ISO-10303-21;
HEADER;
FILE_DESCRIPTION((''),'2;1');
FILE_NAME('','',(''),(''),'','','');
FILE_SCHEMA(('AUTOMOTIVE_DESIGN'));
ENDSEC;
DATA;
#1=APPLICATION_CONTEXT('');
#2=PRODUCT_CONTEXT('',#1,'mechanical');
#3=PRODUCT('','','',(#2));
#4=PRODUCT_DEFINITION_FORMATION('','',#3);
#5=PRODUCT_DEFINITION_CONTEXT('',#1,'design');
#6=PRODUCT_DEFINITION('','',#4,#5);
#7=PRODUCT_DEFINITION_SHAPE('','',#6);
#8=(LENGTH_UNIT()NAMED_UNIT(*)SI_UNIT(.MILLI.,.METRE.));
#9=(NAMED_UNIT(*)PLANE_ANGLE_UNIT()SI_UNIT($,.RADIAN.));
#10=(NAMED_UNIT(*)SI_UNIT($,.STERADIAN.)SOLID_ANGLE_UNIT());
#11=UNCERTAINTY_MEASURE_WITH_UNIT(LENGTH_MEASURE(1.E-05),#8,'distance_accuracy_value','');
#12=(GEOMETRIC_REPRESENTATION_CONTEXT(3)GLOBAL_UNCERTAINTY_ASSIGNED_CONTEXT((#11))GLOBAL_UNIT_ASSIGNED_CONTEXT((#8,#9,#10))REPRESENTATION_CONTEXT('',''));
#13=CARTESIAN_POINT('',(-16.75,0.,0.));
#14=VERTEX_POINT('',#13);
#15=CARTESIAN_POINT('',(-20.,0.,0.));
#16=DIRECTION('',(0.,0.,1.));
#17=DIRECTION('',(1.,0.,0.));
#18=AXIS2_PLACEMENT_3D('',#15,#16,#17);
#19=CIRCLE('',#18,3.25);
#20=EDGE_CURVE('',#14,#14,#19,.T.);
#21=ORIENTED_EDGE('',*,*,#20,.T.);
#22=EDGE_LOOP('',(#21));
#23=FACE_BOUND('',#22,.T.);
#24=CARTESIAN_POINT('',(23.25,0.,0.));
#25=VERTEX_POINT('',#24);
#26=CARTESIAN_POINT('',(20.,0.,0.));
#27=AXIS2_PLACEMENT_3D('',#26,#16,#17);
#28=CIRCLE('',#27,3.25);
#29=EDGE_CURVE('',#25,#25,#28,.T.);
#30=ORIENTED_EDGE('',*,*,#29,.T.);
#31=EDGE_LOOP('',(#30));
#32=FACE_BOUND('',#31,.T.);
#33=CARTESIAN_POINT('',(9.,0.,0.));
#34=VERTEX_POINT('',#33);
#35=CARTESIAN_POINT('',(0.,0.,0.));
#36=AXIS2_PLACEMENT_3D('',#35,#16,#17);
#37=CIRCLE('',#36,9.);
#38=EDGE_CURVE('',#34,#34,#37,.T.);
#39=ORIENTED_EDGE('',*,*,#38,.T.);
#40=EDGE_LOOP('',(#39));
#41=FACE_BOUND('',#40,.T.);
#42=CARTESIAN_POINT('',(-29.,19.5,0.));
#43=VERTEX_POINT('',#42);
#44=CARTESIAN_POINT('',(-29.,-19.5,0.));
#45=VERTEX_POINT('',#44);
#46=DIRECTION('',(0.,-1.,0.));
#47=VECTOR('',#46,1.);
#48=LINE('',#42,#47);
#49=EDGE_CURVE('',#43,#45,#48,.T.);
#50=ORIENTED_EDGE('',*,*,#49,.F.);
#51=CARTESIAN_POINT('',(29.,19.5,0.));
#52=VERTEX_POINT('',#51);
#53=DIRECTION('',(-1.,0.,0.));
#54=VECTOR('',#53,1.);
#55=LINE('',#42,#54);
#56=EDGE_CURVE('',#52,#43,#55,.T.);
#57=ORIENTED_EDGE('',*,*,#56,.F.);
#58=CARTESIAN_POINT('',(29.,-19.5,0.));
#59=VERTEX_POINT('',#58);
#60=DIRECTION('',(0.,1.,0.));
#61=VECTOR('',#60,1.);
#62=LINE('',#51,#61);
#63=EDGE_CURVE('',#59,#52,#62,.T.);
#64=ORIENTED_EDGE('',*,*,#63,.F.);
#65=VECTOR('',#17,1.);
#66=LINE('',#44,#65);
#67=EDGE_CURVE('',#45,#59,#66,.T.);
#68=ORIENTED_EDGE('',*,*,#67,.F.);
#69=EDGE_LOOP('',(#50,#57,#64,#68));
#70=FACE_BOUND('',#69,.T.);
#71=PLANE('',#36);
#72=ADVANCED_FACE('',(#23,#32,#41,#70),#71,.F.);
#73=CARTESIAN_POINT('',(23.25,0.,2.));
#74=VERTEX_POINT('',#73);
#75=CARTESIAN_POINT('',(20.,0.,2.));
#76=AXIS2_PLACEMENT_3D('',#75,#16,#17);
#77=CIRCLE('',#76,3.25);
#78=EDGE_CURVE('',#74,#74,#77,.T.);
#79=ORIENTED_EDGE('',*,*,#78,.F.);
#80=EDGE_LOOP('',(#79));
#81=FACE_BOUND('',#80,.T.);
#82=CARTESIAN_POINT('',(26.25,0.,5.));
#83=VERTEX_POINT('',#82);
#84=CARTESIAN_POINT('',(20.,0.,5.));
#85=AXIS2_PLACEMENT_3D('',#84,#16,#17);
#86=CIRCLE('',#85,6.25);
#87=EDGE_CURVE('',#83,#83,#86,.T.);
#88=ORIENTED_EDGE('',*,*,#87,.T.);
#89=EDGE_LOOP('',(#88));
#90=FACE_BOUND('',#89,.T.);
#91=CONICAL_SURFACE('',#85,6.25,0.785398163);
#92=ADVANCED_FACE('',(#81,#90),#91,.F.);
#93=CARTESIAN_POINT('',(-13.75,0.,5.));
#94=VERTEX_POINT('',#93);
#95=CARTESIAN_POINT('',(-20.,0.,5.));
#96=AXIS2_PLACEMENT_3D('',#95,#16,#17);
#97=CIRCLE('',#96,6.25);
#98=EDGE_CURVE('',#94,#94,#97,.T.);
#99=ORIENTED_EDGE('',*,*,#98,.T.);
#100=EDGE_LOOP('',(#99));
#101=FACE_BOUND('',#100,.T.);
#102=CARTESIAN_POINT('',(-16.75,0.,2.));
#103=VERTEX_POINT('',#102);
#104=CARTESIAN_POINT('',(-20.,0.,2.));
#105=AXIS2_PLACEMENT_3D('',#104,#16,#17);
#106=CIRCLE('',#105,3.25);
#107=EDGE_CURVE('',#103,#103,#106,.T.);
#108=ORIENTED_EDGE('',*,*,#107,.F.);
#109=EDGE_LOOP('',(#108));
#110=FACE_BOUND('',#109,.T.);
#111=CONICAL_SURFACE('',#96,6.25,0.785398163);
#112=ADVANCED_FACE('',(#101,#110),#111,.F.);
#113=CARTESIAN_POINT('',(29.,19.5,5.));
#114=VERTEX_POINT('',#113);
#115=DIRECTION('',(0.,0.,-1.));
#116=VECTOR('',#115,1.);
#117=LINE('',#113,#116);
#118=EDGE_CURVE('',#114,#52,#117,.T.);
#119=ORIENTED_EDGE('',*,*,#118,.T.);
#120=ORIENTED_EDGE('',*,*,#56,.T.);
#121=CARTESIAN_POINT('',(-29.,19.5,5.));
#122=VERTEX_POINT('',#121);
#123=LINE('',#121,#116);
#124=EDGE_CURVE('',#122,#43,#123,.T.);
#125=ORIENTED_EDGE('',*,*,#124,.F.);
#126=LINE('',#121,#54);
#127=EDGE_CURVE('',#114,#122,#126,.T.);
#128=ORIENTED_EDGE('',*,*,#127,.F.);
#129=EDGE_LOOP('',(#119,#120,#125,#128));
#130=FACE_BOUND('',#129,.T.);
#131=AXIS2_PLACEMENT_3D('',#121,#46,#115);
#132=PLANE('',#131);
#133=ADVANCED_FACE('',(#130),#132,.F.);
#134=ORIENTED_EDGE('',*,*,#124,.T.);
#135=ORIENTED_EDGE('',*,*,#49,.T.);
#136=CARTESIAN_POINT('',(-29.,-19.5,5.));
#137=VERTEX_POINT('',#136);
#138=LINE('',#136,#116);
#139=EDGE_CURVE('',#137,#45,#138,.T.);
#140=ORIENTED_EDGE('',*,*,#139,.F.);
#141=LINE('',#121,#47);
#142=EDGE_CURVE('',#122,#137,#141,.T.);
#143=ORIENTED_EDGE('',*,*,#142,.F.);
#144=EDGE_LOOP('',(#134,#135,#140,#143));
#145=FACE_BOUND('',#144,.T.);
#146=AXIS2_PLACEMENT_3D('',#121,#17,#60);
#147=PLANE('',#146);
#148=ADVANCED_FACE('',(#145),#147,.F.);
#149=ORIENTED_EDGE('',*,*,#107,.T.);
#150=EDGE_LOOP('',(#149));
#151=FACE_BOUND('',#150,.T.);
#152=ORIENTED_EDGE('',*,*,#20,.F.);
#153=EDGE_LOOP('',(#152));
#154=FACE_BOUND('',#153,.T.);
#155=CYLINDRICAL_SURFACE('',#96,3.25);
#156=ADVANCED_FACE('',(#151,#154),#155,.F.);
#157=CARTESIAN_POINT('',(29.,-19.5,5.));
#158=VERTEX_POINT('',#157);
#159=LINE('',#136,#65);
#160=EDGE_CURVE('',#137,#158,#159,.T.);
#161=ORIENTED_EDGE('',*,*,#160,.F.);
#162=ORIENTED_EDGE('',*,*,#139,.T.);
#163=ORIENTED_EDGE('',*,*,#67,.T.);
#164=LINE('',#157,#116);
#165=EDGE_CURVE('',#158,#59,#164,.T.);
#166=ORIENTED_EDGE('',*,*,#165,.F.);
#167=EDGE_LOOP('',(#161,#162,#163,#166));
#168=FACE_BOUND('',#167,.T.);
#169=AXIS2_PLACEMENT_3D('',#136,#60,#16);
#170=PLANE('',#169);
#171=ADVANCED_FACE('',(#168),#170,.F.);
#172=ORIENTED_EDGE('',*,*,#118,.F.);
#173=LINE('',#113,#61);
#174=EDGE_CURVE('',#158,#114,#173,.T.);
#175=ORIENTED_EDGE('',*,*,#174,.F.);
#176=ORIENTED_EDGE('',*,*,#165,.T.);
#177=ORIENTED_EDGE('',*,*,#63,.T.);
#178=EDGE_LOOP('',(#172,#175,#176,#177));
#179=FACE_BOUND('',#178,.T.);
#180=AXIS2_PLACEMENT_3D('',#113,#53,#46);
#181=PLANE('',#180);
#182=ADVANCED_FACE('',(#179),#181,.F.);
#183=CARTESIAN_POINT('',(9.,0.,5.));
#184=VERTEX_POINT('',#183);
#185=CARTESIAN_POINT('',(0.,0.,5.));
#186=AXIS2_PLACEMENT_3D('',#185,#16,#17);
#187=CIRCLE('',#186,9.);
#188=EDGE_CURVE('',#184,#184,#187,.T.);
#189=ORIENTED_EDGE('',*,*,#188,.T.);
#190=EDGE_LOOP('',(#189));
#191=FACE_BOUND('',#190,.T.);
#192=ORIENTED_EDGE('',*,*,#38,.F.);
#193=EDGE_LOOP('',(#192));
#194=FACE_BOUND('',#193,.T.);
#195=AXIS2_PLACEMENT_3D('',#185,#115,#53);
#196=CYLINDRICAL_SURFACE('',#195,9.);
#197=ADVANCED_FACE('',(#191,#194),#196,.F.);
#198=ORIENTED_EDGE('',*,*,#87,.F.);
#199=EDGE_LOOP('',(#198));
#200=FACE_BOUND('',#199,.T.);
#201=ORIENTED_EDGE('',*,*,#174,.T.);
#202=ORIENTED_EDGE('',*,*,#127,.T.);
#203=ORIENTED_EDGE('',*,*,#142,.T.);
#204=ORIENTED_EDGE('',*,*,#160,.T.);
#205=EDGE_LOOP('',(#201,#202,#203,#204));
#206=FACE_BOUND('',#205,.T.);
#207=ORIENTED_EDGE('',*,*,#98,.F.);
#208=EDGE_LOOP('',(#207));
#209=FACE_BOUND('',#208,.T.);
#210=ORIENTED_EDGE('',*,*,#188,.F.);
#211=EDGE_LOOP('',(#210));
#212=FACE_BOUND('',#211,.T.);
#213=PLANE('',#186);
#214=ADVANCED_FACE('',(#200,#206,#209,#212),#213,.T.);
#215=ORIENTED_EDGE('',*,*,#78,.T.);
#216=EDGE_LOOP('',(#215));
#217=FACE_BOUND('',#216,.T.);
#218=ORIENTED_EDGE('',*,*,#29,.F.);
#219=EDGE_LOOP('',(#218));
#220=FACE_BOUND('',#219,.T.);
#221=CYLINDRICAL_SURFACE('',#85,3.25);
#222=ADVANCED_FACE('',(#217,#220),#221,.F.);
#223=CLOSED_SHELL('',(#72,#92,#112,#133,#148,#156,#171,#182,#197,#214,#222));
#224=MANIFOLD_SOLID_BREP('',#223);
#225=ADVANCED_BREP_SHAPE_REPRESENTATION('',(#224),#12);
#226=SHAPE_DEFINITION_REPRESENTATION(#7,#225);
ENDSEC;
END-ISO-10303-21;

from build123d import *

# Parameters (mm, degrees)
ESQUISSE1_W                = 58
ESQUISSE1_H                = 39
ESQUISSE1_R                = 9
BOSS_EXTRU_1_DEPTH         = 5
R_P_TITION_LIN_AIRE1_COUNT = 2
R_P_TITION_LIN_AIRE1_PITCH = 40


with BuildPart() as part:
    # Esquisse1 → Boss.-Extru.1 (new body)
    with BuildSketch(Plane.XY):
        Rectangle(ESQUISSE1_W, ESQUISSE1_H)
        Circle(ESQUISSE1_R, mode=Mode.SUBTRACT)
    extrude(amount=BOSS_EXTRU_1_DEPTH)

    # Esquisse3 → Fraisage pour vis à tête fraisée à 6 pans creux M61 (revolve, cut)
    with BuildSketch(Plane(origin=(20, 0, 5), x_dir=(0, -1, 0), z_dir=(1, 0, 0))):
        Polygon((0, 0), (0, 5), (3.25, 5), (3.25, 3), (6.25, 0), align=None)
    fraisage_pour_vis_t_te_frais_e_6_pan = revolve(axis=Axis((20, 0, 11.35), (0, 0, -1)), mode=Mode.SUBTRACT)

    # Répétition linéaire1: Fraisage pour vis à tête fraisée à 6 pans creux M61 ×2
    with Locations(*[(-i * R_P_TITION_LIN_AIRE1_PITCH, 0, 0) for i in range(1, R_P_TITION_LIN_AIRE1_COUNT)]):
        add(fraisage_pour_vis_t_te_frais_e_6_pan, mode=Mode.SUBTRACT)


solid = part.part
